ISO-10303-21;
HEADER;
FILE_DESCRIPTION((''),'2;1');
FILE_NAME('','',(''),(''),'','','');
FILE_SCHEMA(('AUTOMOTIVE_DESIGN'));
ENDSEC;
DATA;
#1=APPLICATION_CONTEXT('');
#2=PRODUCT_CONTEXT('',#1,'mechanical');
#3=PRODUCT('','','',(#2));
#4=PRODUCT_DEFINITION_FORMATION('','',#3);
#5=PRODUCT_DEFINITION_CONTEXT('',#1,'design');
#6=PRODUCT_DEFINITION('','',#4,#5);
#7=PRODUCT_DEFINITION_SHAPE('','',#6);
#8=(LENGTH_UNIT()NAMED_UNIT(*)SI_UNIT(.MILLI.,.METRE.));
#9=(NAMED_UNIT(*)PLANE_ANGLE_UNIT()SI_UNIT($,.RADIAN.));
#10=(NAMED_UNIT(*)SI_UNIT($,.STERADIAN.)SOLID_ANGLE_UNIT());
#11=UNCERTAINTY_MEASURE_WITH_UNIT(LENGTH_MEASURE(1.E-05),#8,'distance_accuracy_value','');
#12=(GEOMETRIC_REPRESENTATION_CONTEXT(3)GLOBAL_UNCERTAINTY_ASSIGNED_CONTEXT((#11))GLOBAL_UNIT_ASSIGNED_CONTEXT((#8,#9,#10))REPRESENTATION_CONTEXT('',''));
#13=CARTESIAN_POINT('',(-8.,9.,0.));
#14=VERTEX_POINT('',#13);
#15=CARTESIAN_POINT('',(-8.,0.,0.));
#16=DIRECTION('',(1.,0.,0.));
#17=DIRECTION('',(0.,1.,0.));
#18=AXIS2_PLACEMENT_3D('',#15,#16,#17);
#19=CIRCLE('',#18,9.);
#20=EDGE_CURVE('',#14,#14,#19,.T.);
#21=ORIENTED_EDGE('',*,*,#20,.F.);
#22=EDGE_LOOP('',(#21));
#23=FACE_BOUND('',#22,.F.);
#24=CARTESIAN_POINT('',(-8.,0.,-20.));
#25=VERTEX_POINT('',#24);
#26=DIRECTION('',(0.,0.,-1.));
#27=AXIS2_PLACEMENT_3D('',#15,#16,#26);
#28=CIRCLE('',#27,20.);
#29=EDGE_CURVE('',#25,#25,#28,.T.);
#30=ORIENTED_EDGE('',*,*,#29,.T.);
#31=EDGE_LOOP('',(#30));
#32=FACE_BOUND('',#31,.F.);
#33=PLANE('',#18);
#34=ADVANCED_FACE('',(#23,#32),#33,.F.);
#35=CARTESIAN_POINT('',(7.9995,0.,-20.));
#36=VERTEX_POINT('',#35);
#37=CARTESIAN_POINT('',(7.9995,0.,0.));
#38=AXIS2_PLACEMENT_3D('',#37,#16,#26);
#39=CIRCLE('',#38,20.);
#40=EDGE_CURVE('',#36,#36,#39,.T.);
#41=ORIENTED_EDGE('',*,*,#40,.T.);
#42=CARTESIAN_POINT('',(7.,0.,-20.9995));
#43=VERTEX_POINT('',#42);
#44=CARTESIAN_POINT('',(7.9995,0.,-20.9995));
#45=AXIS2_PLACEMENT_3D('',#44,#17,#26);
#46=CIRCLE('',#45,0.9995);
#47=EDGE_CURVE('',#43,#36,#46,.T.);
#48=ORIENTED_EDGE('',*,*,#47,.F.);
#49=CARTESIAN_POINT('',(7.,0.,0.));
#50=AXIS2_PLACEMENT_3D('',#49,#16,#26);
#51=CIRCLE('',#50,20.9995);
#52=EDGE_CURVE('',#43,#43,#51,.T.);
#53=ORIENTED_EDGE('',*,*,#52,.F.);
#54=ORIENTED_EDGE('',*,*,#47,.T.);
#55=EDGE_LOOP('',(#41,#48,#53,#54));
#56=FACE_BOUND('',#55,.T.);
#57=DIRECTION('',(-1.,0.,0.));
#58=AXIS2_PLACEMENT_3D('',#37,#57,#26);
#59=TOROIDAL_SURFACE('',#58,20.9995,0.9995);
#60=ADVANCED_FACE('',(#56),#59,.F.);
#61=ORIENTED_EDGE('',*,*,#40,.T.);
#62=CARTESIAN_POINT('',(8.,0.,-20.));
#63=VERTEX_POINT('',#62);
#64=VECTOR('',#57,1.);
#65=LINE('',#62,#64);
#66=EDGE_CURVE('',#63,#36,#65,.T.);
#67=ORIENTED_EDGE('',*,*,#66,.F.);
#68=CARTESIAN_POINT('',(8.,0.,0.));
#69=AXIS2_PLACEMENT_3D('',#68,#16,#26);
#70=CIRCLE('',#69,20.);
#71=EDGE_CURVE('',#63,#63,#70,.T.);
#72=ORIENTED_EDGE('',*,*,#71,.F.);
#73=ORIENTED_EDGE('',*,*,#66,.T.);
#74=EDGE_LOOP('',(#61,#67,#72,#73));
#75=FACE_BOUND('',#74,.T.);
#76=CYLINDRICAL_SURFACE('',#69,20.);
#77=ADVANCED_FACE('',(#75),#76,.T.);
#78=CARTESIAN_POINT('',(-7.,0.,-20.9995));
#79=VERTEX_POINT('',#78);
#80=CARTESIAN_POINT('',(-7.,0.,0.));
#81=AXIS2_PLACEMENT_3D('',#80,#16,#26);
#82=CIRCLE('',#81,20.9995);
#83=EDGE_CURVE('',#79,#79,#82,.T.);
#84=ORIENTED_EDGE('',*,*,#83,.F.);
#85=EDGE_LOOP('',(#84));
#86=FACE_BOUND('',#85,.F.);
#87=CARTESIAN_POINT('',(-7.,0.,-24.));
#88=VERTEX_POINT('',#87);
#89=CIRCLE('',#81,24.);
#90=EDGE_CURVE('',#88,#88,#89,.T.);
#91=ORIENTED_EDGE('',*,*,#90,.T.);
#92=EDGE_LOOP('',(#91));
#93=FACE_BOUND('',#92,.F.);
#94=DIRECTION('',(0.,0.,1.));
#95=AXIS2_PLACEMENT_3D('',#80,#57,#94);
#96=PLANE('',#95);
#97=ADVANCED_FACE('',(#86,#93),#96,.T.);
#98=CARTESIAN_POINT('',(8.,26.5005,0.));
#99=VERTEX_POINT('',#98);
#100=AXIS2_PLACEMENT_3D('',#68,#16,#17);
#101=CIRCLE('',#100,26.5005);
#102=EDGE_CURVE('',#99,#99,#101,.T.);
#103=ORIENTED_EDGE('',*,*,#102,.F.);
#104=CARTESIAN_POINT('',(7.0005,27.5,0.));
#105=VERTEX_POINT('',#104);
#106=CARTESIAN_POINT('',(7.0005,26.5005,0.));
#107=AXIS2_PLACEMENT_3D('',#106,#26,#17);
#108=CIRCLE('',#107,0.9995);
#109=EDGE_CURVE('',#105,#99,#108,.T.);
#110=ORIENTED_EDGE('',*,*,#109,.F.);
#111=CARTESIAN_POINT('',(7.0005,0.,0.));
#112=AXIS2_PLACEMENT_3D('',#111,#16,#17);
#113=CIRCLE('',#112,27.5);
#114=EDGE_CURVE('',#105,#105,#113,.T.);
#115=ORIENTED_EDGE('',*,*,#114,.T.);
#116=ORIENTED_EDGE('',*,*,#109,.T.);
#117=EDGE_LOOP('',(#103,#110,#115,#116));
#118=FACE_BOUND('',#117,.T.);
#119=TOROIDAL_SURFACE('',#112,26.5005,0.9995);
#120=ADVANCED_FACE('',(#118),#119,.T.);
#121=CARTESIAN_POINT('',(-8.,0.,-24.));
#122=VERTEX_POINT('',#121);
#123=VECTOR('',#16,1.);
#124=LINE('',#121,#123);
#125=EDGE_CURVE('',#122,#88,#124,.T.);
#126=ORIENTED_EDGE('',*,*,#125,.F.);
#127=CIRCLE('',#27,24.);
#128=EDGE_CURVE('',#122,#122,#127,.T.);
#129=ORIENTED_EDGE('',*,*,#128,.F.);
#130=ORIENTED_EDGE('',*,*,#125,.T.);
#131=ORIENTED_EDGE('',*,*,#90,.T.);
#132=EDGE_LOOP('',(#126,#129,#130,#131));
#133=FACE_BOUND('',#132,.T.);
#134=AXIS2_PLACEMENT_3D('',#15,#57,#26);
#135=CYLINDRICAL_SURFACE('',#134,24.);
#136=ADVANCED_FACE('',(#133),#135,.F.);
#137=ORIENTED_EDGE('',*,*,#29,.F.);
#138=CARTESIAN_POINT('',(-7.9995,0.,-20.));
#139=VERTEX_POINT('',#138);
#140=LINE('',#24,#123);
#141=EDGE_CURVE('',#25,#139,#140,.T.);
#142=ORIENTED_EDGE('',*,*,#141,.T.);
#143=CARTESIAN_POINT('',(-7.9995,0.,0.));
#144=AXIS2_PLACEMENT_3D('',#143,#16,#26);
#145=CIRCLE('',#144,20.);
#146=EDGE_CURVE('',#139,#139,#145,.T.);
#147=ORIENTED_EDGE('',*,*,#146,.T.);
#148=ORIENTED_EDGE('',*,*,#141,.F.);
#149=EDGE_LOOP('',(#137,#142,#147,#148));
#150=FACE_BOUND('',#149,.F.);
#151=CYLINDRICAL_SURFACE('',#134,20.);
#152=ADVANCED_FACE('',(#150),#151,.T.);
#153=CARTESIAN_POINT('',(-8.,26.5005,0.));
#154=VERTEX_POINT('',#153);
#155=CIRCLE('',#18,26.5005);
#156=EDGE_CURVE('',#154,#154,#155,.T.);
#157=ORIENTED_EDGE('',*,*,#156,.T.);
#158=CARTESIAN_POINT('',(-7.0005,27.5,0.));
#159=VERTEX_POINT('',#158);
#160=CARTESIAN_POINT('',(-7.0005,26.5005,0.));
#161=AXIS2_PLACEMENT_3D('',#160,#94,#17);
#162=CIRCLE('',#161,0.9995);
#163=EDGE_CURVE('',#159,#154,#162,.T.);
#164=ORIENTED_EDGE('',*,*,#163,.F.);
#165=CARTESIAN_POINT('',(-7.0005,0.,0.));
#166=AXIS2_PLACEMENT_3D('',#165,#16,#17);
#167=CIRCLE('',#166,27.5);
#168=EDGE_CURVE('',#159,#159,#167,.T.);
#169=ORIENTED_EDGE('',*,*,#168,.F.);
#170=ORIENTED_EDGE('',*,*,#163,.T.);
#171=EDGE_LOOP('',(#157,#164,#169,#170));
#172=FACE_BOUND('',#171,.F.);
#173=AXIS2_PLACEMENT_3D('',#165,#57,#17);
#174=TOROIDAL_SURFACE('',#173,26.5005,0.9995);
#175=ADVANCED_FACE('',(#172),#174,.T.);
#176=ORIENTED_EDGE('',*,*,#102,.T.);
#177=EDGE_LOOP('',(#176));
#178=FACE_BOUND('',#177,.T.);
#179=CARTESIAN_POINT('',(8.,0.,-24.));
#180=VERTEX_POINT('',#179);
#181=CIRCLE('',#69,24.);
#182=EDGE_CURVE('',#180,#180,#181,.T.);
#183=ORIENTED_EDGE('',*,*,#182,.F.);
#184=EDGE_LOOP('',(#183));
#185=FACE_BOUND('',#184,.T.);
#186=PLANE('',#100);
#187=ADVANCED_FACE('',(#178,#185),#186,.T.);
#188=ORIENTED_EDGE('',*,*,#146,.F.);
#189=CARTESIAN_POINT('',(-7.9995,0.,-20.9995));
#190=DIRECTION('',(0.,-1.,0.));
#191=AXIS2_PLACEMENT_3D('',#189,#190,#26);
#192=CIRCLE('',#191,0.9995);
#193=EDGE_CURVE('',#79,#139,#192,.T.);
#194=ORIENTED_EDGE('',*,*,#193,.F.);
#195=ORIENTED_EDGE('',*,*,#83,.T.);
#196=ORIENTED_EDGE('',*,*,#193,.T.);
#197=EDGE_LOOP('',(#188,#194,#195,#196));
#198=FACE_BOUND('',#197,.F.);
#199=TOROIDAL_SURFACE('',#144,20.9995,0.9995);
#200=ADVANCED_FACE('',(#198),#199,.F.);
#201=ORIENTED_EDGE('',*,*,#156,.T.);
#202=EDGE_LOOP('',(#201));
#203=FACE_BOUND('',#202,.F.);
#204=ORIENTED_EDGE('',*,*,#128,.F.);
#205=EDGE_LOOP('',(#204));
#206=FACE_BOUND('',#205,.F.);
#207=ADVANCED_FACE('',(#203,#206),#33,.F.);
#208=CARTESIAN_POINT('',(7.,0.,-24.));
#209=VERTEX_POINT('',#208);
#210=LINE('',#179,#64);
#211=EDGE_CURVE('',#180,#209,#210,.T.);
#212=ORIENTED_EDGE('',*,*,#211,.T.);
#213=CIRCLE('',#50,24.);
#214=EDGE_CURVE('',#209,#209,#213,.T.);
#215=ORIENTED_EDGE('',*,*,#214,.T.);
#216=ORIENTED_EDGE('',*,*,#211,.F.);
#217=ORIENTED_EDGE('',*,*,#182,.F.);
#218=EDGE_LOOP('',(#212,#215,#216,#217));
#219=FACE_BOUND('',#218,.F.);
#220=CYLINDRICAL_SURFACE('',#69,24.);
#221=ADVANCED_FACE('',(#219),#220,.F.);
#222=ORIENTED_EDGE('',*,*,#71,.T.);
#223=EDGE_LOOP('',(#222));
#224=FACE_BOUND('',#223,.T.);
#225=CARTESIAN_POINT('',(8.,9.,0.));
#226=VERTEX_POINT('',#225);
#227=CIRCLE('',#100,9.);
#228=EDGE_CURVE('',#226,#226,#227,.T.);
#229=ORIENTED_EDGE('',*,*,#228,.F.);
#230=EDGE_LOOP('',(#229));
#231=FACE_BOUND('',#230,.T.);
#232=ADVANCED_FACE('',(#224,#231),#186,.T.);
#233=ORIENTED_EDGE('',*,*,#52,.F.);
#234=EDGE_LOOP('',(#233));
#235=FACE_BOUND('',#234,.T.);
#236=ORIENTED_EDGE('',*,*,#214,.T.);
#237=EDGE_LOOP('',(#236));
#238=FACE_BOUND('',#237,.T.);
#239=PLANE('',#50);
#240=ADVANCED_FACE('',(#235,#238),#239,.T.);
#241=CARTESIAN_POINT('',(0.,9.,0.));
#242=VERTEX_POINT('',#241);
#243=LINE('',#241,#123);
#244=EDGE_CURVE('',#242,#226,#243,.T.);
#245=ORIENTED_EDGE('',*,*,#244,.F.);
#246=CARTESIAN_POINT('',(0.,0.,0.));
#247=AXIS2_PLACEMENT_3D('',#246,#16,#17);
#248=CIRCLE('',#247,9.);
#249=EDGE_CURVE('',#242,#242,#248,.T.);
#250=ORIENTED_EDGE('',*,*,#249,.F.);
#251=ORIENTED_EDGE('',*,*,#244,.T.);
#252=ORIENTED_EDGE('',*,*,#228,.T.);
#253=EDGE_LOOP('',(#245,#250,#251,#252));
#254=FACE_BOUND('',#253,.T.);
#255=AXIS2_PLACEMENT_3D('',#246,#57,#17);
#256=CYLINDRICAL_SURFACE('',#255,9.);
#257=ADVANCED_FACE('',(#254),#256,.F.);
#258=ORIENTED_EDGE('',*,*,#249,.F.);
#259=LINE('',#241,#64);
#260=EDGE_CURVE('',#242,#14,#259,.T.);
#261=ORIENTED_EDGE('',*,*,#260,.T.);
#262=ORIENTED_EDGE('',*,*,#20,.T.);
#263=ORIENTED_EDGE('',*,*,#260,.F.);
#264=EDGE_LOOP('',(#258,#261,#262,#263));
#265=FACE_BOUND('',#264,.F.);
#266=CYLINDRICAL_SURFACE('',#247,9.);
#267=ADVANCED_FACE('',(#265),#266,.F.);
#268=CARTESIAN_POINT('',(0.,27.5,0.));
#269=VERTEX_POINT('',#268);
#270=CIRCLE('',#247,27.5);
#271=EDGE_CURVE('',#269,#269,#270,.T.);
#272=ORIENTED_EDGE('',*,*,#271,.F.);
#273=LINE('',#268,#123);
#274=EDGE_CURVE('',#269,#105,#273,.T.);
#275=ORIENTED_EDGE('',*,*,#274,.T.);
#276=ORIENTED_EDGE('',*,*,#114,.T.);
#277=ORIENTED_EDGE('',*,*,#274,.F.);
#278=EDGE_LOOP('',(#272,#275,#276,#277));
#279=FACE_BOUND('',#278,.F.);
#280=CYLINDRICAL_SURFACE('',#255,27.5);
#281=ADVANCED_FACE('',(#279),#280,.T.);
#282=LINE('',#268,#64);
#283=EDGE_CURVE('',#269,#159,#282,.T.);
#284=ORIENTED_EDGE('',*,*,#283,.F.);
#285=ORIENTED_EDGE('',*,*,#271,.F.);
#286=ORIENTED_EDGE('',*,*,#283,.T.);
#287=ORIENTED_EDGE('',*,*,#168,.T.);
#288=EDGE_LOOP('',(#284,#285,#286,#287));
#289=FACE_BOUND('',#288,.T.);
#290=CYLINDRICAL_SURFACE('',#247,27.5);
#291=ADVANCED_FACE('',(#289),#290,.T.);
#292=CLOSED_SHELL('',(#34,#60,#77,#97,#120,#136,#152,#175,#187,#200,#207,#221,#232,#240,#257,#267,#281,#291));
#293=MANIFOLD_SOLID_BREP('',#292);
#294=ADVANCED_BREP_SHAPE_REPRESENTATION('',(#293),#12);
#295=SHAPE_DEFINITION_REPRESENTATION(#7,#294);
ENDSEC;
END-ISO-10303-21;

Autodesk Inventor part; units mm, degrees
ref_plane "YZ Plane" through (0, 0, 0) normal (1, 0, 0) x (0, 1, 0)
ref_plane "XZ Plane" through (0, 0, 0) normal (0, 1, 0) x (-1, 0, 0)
ref_plane "XY Plane" through (0, 0, 0) normal (0, 0, 1) x (1, 0, 0)
sketch "Sketch1" plane through (0, 0, 0) normal (1, 0, 0) x (0, 1, 0)
  circle A0 centre (0, 0) radius 9
  circle A1 centre (0, 0) radius 27.5
  dimension "d1" = 18
  dimension "d2" = 55
extrude "Extrusion1" add sketch "Sketch1" along normal mid plane 16
sketch "Sketch2" plane through (8, 0, 0) normal (1, 0, 0) x (0, 0, -1)
  circle A0 centre (0, 0) radius 20
  circle A1 centre (0, 0) radius 24
  dimension "d5" = 48
  dimension "d6" = 40
extrude "Extrusion2" cut sketch "Sketch2" against normal blind 1
mirror "Mirror1" about plane through (0, 0, 0) normal (1, 0, 0) of "Extrusion2"
fillet "Fillet1" radius 1 4 edges at (8, -27.5, 0) (7, 0, 20) (-8, -27.5, 0) (-7, 0, 20)
properties part number "362-02"
